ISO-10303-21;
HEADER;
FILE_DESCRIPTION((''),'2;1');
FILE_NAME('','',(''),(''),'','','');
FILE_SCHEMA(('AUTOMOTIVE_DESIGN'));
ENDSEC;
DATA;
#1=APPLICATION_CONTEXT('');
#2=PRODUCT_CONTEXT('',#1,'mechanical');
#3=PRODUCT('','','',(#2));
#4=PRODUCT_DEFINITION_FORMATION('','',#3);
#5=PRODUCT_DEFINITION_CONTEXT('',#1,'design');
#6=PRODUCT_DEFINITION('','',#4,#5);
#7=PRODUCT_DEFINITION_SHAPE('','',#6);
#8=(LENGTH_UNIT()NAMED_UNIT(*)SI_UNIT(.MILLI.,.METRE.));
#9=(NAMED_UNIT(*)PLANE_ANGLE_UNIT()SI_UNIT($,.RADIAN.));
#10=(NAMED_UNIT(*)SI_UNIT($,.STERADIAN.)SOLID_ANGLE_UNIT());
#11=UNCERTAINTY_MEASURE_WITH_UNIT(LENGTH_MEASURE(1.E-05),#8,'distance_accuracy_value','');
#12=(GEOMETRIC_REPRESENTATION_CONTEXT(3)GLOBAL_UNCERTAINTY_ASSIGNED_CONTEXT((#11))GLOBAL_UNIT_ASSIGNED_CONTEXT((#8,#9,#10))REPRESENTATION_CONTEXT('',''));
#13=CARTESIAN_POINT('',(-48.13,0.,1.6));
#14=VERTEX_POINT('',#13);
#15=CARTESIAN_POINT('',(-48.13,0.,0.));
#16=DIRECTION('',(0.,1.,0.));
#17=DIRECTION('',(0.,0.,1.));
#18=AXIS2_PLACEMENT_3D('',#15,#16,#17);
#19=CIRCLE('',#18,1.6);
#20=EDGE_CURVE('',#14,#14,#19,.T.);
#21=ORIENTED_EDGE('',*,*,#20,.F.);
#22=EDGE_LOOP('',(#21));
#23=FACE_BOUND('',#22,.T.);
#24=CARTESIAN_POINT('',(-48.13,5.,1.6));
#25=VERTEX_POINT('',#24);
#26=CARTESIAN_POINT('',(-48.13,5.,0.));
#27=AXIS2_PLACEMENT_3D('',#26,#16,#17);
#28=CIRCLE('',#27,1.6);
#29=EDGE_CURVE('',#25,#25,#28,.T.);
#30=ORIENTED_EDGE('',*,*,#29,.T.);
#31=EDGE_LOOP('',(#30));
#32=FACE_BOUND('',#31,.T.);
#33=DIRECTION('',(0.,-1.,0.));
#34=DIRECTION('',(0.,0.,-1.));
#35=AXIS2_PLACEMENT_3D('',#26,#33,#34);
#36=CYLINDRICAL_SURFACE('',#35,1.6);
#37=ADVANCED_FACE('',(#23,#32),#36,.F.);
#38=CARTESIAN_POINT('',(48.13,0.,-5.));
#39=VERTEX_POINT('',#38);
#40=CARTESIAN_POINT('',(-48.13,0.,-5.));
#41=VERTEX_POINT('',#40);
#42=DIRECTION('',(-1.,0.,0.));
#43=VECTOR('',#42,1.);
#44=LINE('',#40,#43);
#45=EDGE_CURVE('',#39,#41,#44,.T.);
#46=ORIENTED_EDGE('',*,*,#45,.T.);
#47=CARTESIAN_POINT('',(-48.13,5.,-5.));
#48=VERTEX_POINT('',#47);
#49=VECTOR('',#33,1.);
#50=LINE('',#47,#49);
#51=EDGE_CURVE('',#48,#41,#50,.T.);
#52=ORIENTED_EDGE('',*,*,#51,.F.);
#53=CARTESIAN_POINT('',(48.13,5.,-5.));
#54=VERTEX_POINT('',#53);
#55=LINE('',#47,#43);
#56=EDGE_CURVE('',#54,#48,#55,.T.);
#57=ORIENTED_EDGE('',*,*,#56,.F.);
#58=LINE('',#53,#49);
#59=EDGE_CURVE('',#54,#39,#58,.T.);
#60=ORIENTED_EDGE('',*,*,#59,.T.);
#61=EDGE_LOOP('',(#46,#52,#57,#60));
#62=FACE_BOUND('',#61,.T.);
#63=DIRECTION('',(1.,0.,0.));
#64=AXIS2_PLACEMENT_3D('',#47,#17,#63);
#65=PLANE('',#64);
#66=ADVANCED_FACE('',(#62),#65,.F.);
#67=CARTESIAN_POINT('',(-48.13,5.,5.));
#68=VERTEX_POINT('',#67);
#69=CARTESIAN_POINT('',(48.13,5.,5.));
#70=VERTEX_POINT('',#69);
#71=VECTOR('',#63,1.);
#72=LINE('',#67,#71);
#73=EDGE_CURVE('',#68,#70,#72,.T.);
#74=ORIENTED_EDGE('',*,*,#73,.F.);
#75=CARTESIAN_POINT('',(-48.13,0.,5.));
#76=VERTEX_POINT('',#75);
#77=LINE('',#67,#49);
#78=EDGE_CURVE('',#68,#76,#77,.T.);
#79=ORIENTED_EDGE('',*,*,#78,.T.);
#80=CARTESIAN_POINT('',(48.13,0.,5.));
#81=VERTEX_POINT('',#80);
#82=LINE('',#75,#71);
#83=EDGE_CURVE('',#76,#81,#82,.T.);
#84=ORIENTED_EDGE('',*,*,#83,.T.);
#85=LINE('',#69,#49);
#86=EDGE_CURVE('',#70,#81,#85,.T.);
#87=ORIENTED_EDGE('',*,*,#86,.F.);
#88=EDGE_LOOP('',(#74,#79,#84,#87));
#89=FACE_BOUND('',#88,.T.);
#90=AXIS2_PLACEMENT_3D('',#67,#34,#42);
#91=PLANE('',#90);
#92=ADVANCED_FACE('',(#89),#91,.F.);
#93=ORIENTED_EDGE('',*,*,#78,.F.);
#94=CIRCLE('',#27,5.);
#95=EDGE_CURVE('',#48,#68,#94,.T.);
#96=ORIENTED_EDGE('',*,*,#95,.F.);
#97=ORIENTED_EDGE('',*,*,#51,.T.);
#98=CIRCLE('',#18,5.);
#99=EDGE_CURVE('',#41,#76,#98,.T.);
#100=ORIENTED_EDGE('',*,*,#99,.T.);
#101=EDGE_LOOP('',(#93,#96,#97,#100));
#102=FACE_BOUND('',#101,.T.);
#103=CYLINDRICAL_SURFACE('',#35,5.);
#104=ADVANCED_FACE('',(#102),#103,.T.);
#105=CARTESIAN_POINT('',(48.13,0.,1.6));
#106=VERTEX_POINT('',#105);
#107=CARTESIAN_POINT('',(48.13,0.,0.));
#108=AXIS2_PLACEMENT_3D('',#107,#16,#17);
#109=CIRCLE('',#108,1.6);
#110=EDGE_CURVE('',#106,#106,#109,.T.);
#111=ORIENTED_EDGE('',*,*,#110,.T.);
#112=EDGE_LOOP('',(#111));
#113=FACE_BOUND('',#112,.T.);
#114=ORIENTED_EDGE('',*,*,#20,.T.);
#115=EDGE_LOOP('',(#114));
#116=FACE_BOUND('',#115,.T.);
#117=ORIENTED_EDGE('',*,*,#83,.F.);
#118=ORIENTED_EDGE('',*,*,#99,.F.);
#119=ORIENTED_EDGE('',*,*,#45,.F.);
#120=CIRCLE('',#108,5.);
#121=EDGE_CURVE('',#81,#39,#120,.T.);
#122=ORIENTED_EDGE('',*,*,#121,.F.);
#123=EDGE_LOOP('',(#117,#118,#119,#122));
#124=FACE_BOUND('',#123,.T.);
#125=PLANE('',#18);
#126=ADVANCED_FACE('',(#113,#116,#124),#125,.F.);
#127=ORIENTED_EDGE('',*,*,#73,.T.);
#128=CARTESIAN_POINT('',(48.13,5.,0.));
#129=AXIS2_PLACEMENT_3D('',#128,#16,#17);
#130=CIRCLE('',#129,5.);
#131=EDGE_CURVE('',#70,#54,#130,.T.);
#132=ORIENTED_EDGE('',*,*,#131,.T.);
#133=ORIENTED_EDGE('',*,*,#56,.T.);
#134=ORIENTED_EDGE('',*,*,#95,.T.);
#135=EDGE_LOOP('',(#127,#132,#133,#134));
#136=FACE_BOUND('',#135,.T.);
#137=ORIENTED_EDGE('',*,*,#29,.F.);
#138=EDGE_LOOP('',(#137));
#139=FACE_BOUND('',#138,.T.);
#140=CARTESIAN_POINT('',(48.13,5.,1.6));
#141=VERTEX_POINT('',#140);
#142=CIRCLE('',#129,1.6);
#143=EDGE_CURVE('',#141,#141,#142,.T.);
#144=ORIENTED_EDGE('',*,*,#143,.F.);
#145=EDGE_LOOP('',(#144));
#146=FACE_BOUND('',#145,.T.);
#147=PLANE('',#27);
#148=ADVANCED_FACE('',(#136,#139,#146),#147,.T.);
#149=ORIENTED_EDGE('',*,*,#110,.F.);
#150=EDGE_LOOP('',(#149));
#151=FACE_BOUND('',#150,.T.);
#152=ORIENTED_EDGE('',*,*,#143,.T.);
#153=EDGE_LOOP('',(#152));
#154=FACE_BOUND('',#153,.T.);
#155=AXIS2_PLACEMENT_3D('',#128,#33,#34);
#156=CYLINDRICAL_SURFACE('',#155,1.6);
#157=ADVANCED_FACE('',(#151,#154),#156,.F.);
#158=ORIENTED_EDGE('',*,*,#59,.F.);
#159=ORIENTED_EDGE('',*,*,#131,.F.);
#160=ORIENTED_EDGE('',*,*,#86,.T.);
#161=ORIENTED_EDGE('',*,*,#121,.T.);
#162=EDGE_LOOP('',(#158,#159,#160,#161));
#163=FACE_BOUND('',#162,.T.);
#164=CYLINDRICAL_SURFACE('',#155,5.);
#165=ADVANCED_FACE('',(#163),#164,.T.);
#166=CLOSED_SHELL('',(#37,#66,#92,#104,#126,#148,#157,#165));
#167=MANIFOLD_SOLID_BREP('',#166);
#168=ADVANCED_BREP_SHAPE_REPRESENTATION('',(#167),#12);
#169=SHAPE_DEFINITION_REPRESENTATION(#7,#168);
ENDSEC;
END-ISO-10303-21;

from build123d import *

# Parameters (mm, degrees)
SKETCH_1_R      = 1.6
EXTRUDE_1_DEPTH = 5


with BuildPart() as part:
    # ｽｹｯﾁ1 → ﾎﾞｽ - 押し出し1 (new body)
    with BuildSketch(Plane(origin=(0, 0, 0), x_dir=(1, 0, 0), z_dir=(0, 1, 0))):
        with BuildLine():
            Line((-48.13, 5), (48.13, 5))
            ThreePointArc((48.13, 5), (53.13, 0), (48.13, -5))
            Line((48.13, -5), (-48.13, -5))
            ThreePointArc((-48.13, -5), (-53.13, 0), (-48.13, 5))
        make_face()
        with Locations(Location((-48.13, 0, 0), (0, 0, 270))):
            Circle(SKETCH_1_R, mode=Mode.SUBTRACT)
        with Locations(Location((48.13, 0, 0), (0, 0, 270))):
            Circle(SKETCH_1_R, mode=Mode.SUBTRACT)
    extrude(amount=EXTRUDE_1_DEPTH)


solid = part.part
